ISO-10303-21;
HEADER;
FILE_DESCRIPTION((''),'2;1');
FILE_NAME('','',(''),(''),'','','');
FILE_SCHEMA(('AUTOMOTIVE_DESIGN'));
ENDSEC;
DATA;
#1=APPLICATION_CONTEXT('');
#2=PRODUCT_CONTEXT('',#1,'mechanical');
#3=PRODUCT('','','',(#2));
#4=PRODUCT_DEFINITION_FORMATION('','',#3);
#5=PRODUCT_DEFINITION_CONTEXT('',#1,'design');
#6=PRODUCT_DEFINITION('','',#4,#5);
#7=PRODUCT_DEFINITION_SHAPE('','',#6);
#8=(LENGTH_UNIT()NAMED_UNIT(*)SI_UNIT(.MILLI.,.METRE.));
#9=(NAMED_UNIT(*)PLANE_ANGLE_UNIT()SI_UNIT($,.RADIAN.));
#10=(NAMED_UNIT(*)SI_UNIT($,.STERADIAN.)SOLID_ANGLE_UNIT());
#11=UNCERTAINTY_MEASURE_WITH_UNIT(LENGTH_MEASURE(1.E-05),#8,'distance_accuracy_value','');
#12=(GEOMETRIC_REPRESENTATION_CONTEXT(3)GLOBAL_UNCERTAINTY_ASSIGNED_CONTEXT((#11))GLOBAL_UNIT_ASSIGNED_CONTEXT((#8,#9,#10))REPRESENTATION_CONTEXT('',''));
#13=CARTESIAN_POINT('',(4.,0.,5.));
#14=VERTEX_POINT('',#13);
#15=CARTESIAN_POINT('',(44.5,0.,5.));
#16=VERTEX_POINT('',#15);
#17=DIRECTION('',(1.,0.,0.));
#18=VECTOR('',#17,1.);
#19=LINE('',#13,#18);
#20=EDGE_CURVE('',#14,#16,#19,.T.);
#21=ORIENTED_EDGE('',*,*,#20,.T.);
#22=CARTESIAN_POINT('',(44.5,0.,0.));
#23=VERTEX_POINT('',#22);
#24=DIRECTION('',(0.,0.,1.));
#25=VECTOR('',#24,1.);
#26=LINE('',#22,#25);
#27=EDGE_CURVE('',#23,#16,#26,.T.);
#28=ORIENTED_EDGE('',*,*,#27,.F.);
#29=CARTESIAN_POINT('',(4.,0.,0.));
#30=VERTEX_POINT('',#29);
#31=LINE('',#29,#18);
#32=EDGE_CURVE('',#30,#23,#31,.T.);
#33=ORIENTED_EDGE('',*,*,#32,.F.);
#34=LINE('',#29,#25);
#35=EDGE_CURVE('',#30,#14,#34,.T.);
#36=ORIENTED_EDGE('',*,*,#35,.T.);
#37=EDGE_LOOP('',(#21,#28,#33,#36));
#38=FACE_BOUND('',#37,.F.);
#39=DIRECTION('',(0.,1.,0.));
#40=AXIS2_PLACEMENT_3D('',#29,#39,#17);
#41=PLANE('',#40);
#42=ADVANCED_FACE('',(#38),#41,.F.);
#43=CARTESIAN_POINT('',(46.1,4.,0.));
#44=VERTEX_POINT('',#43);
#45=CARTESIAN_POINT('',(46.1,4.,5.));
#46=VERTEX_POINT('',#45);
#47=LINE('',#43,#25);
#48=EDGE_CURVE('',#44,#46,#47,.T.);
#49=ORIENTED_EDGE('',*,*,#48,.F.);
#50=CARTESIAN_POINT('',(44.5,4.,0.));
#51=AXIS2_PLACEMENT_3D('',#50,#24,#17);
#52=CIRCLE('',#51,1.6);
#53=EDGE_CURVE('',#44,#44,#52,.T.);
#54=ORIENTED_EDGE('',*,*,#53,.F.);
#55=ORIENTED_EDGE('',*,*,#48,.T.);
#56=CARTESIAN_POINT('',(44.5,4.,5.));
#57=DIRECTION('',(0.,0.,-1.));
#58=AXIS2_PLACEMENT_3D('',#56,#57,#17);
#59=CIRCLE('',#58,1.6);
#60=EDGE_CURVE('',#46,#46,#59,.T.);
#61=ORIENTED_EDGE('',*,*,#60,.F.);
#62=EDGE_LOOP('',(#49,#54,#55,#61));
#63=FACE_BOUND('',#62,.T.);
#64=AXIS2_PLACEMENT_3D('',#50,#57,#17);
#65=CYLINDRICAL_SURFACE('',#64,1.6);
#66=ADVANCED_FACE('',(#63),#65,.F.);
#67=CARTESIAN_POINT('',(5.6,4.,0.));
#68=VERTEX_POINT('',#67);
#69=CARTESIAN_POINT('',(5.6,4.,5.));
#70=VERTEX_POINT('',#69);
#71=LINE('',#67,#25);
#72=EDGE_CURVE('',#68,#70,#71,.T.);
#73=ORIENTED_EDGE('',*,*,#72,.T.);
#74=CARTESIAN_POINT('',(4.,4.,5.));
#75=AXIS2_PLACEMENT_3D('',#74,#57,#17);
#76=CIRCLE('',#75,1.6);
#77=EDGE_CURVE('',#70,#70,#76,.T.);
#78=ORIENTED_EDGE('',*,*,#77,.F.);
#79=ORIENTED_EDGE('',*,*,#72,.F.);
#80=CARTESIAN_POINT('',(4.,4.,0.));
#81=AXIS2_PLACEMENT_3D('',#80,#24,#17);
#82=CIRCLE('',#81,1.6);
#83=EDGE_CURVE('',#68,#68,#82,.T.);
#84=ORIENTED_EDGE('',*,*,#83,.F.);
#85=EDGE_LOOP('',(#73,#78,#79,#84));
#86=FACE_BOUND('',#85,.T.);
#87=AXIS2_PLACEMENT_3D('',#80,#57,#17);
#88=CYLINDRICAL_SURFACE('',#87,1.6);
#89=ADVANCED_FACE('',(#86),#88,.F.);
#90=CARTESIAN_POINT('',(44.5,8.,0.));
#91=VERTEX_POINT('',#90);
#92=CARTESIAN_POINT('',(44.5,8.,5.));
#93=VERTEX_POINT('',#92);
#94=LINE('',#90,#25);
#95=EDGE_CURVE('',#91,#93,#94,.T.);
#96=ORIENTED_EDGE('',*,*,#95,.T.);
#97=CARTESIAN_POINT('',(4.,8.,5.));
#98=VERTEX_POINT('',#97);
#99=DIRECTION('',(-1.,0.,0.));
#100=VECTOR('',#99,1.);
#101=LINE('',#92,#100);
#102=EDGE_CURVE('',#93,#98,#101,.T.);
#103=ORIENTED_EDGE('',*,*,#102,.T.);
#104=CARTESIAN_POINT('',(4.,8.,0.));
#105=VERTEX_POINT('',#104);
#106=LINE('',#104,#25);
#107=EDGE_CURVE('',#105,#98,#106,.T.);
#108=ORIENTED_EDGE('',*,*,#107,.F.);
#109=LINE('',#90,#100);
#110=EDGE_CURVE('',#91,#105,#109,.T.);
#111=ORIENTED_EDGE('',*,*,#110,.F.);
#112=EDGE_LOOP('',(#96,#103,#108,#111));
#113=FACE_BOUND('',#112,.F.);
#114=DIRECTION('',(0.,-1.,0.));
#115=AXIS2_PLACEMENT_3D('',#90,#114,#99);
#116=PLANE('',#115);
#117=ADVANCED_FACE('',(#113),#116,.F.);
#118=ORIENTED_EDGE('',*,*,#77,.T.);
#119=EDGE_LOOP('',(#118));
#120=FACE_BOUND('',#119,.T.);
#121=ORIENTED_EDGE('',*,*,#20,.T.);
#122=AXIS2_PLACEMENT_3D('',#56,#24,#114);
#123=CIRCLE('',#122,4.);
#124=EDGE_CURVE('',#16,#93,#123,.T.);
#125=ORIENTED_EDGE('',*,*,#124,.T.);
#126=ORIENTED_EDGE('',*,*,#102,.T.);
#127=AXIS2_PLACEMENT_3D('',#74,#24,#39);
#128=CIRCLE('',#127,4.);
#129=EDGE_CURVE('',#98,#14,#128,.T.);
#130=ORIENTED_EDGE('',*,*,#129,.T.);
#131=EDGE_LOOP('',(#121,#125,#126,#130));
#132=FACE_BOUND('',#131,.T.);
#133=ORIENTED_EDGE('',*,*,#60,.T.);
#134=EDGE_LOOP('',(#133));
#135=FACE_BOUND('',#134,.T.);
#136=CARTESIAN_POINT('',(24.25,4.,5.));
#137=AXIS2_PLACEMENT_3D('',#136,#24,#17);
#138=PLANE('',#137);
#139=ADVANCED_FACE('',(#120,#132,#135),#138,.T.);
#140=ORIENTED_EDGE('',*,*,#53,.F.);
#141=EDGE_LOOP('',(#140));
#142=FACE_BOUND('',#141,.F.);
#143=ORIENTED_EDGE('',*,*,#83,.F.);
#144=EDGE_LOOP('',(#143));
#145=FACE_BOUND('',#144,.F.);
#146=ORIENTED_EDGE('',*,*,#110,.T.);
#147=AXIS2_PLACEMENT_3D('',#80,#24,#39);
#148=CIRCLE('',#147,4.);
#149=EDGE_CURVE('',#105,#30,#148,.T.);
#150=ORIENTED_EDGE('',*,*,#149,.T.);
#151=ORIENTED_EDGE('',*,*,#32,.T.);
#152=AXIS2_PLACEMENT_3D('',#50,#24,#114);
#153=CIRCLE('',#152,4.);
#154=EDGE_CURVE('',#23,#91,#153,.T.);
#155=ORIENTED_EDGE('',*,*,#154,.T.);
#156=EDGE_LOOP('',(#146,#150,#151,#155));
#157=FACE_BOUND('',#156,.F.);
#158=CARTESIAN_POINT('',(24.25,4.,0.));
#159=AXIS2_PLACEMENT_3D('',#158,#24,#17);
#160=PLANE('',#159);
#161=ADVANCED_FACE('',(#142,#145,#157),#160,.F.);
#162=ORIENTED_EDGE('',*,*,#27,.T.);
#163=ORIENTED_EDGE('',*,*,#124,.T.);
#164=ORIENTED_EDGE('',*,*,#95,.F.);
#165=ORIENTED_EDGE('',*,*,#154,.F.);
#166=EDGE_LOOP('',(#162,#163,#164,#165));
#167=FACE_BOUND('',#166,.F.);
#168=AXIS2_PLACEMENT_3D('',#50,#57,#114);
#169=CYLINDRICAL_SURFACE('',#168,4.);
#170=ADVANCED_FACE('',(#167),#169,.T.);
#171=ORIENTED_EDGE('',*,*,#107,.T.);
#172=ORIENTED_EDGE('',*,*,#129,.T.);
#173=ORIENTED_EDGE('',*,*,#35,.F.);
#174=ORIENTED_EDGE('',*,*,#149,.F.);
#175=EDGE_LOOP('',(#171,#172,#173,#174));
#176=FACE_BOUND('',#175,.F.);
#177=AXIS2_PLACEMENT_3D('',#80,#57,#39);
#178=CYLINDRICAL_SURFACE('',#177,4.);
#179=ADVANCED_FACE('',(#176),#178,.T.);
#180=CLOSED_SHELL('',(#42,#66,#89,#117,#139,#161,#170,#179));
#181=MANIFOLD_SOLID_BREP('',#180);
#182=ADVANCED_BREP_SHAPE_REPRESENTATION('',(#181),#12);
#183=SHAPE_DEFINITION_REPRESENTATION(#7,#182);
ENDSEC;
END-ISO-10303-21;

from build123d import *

# Parameters (mm, degrees)
BOSS_EXTRU_1_DEPTH      = 5
ESQUISSE3_R             = 1.6
ENL_V_MAT_EXTRU_2_DEPTH = 6


with BuildPart() as part:
    # Esquisse1 → Boss.-Extru.1 (new body)
    with BuildSketch(Plane.XY):
        with BuildLine():
            Line((4, 0), (44.5, 0))
            ThreePointArc((44.5, 0), (48.5, 4), (44.5, 8))
            Line((44.5, 8), (4, 8))
            ThreePointArc((4, 8), (0, 4), (4, 0))
        make_face()
    extrude(amount=BOSS_EXTRU_1_DEPTH)

    # Esquisse3 → Enlèv. mat.-Extru.2 (cut, through all)
    with BuildSketch(Plane.XY):
        with Locations((4, 4)):
            Circle(ESQUISSE3_R)
        with Locations((44.5, 4)):
            Circle(ESQUISSE3_R)
    extrude(amount=ENL_V_MAT_EXTRU_2_DEPTH, mode=Mode.SUBTRACT)


solid = part.part
